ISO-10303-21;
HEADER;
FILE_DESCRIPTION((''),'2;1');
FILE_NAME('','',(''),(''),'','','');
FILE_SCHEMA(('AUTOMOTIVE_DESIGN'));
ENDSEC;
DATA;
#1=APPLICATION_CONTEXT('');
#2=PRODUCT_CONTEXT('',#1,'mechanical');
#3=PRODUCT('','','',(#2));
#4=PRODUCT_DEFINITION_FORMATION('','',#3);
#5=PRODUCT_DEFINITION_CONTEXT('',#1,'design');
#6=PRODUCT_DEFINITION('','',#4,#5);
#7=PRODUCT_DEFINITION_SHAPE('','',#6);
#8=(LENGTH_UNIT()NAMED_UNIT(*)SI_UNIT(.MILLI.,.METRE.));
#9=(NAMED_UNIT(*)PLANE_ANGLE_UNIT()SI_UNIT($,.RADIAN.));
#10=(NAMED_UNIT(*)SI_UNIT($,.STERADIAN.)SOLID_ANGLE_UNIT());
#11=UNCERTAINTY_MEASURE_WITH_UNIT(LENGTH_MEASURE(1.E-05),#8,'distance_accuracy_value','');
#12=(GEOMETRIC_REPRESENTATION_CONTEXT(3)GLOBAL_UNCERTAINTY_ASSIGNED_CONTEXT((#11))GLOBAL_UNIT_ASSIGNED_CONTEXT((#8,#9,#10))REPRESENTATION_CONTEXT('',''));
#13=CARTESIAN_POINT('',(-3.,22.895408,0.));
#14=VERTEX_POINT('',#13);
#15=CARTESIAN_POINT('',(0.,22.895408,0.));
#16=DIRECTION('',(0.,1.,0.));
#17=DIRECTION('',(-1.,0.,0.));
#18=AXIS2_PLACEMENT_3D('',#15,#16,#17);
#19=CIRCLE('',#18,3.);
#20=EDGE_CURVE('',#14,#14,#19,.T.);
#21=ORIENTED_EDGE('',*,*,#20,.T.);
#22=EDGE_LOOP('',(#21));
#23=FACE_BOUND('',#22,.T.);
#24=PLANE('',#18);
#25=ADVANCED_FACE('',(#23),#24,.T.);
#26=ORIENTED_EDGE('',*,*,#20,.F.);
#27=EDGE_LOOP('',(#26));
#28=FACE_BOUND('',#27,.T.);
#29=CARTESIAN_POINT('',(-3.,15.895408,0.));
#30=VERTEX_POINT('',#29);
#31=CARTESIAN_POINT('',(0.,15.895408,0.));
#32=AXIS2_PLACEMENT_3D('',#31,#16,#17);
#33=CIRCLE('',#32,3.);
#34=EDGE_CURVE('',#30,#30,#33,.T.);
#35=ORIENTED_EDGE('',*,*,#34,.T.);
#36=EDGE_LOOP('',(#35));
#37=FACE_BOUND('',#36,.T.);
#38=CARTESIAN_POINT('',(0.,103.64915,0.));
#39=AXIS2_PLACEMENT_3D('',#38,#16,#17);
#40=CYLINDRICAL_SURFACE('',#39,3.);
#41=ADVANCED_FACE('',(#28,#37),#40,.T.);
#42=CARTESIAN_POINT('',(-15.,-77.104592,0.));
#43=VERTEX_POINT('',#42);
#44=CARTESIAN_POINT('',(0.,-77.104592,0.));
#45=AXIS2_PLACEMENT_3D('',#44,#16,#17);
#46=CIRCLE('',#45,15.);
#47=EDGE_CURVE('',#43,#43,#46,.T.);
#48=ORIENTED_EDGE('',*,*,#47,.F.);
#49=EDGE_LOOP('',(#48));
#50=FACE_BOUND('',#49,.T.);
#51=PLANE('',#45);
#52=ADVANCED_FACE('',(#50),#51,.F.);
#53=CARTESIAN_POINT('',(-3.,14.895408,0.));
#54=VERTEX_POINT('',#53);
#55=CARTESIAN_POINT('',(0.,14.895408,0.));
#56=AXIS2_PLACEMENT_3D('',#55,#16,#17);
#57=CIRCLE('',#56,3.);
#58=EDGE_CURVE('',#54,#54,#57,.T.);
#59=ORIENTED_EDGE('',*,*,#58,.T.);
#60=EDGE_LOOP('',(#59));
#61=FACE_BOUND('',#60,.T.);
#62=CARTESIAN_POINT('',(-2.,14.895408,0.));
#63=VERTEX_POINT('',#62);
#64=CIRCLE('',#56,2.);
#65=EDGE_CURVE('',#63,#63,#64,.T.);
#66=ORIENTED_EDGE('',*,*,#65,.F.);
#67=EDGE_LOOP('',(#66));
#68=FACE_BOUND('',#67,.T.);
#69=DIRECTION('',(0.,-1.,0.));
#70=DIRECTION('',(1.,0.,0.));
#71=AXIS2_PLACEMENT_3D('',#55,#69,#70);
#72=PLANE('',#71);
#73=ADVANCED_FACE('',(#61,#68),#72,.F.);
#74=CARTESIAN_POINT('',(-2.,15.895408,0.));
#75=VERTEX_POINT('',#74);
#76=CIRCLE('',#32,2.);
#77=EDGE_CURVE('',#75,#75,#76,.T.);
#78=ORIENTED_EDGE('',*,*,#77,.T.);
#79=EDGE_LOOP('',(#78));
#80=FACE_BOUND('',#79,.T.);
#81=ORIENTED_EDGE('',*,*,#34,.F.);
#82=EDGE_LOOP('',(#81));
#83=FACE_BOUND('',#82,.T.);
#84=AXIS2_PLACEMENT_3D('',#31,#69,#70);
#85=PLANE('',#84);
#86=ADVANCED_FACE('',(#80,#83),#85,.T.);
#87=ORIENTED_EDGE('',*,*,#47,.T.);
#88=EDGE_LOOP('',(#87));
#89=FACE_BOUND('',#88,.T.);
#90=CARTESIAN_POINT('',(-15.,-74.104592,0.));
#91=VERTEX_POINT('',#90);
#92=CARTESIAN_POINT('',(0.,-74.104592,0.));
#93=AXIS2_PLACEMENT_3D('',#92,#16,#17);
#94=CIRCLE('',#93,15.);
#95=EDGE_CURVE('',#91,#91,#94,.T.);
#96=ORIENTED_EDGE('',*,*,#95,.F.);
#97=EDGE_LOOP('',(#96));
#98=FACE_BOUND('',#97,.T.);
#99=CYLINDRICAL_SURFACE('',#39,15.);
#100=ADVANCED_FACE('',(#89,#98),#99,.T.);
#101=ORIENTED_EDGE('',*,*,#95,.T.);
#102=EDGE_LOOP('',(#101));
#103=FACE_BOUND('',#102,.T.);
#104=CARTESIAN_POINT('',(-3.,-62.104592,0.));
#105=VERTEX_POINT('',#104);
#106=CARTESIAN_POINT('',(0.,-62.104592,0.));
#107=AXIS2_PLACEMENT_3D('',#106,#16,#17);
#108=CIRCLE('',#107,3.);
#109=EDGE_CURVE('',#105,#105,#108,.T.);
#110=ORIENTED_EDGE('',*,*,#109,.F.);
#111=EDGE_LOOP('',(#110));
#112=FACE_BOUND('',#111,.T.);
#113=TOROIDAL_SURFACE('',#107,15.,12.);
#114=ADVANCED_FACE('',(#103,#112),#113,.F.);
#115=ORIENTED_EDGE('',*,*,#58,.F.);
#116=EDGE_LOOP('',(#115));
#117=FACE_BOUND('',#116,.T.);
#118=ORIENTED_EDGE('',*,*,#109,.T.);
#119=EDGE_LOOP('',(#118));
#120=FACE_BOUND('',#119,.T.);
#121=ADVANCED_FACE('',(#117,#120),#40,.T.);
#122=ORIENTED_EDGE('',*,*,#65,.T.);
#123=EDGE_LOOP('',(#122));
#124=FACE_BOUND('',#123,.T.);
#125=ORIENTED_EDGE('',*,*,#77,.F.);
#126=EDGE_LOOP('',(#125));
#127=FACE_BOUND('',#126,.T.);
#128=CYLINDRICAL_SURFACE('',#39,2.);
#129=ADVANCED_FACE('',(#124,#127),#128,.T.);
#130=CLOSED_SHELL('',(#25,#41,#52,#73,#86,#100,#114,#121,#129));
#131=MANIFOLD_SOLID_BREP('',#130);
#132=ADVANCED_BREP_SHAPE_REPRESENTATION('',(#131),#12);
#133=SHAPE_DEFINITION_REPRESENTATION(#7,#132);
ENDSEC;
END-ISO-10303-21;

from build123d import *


with BuildPart() as part:
    # Sketch3 → Revolve1 (revolve)
    with BuildSketch(Plane.XY):
        with BuildLine():
            Line((0, 22.895408163), (0, 0))
            Line((0, 0), (0, -77.104591837))
            Line((0, -77.104591837), (15, -77.104591837))
            Line((15, -77.104591837), (15, -74.104591837))
            ThreePointArc((15, -74.104591837), (6.514718626, -70.589873211), (3, -62.104591837))
            Line((3, -62.104591837), (3, 14.895408163))
            Line((3, 14.895408163), (2, 14.895408163))
            Line((2, 14.895408163), (2, 15.895408163))
            Line((2, 15.895408163), (3, 15.895408163))
            Line((3, 15.895408163), (3, 22.895408163))
            Line((3, 22.895408163), (0, 22.895408163))
        make_face()
    revolve(axis=Axis((0, 103.649150199, 0), (0, -1, 0)))


solid = part.part
